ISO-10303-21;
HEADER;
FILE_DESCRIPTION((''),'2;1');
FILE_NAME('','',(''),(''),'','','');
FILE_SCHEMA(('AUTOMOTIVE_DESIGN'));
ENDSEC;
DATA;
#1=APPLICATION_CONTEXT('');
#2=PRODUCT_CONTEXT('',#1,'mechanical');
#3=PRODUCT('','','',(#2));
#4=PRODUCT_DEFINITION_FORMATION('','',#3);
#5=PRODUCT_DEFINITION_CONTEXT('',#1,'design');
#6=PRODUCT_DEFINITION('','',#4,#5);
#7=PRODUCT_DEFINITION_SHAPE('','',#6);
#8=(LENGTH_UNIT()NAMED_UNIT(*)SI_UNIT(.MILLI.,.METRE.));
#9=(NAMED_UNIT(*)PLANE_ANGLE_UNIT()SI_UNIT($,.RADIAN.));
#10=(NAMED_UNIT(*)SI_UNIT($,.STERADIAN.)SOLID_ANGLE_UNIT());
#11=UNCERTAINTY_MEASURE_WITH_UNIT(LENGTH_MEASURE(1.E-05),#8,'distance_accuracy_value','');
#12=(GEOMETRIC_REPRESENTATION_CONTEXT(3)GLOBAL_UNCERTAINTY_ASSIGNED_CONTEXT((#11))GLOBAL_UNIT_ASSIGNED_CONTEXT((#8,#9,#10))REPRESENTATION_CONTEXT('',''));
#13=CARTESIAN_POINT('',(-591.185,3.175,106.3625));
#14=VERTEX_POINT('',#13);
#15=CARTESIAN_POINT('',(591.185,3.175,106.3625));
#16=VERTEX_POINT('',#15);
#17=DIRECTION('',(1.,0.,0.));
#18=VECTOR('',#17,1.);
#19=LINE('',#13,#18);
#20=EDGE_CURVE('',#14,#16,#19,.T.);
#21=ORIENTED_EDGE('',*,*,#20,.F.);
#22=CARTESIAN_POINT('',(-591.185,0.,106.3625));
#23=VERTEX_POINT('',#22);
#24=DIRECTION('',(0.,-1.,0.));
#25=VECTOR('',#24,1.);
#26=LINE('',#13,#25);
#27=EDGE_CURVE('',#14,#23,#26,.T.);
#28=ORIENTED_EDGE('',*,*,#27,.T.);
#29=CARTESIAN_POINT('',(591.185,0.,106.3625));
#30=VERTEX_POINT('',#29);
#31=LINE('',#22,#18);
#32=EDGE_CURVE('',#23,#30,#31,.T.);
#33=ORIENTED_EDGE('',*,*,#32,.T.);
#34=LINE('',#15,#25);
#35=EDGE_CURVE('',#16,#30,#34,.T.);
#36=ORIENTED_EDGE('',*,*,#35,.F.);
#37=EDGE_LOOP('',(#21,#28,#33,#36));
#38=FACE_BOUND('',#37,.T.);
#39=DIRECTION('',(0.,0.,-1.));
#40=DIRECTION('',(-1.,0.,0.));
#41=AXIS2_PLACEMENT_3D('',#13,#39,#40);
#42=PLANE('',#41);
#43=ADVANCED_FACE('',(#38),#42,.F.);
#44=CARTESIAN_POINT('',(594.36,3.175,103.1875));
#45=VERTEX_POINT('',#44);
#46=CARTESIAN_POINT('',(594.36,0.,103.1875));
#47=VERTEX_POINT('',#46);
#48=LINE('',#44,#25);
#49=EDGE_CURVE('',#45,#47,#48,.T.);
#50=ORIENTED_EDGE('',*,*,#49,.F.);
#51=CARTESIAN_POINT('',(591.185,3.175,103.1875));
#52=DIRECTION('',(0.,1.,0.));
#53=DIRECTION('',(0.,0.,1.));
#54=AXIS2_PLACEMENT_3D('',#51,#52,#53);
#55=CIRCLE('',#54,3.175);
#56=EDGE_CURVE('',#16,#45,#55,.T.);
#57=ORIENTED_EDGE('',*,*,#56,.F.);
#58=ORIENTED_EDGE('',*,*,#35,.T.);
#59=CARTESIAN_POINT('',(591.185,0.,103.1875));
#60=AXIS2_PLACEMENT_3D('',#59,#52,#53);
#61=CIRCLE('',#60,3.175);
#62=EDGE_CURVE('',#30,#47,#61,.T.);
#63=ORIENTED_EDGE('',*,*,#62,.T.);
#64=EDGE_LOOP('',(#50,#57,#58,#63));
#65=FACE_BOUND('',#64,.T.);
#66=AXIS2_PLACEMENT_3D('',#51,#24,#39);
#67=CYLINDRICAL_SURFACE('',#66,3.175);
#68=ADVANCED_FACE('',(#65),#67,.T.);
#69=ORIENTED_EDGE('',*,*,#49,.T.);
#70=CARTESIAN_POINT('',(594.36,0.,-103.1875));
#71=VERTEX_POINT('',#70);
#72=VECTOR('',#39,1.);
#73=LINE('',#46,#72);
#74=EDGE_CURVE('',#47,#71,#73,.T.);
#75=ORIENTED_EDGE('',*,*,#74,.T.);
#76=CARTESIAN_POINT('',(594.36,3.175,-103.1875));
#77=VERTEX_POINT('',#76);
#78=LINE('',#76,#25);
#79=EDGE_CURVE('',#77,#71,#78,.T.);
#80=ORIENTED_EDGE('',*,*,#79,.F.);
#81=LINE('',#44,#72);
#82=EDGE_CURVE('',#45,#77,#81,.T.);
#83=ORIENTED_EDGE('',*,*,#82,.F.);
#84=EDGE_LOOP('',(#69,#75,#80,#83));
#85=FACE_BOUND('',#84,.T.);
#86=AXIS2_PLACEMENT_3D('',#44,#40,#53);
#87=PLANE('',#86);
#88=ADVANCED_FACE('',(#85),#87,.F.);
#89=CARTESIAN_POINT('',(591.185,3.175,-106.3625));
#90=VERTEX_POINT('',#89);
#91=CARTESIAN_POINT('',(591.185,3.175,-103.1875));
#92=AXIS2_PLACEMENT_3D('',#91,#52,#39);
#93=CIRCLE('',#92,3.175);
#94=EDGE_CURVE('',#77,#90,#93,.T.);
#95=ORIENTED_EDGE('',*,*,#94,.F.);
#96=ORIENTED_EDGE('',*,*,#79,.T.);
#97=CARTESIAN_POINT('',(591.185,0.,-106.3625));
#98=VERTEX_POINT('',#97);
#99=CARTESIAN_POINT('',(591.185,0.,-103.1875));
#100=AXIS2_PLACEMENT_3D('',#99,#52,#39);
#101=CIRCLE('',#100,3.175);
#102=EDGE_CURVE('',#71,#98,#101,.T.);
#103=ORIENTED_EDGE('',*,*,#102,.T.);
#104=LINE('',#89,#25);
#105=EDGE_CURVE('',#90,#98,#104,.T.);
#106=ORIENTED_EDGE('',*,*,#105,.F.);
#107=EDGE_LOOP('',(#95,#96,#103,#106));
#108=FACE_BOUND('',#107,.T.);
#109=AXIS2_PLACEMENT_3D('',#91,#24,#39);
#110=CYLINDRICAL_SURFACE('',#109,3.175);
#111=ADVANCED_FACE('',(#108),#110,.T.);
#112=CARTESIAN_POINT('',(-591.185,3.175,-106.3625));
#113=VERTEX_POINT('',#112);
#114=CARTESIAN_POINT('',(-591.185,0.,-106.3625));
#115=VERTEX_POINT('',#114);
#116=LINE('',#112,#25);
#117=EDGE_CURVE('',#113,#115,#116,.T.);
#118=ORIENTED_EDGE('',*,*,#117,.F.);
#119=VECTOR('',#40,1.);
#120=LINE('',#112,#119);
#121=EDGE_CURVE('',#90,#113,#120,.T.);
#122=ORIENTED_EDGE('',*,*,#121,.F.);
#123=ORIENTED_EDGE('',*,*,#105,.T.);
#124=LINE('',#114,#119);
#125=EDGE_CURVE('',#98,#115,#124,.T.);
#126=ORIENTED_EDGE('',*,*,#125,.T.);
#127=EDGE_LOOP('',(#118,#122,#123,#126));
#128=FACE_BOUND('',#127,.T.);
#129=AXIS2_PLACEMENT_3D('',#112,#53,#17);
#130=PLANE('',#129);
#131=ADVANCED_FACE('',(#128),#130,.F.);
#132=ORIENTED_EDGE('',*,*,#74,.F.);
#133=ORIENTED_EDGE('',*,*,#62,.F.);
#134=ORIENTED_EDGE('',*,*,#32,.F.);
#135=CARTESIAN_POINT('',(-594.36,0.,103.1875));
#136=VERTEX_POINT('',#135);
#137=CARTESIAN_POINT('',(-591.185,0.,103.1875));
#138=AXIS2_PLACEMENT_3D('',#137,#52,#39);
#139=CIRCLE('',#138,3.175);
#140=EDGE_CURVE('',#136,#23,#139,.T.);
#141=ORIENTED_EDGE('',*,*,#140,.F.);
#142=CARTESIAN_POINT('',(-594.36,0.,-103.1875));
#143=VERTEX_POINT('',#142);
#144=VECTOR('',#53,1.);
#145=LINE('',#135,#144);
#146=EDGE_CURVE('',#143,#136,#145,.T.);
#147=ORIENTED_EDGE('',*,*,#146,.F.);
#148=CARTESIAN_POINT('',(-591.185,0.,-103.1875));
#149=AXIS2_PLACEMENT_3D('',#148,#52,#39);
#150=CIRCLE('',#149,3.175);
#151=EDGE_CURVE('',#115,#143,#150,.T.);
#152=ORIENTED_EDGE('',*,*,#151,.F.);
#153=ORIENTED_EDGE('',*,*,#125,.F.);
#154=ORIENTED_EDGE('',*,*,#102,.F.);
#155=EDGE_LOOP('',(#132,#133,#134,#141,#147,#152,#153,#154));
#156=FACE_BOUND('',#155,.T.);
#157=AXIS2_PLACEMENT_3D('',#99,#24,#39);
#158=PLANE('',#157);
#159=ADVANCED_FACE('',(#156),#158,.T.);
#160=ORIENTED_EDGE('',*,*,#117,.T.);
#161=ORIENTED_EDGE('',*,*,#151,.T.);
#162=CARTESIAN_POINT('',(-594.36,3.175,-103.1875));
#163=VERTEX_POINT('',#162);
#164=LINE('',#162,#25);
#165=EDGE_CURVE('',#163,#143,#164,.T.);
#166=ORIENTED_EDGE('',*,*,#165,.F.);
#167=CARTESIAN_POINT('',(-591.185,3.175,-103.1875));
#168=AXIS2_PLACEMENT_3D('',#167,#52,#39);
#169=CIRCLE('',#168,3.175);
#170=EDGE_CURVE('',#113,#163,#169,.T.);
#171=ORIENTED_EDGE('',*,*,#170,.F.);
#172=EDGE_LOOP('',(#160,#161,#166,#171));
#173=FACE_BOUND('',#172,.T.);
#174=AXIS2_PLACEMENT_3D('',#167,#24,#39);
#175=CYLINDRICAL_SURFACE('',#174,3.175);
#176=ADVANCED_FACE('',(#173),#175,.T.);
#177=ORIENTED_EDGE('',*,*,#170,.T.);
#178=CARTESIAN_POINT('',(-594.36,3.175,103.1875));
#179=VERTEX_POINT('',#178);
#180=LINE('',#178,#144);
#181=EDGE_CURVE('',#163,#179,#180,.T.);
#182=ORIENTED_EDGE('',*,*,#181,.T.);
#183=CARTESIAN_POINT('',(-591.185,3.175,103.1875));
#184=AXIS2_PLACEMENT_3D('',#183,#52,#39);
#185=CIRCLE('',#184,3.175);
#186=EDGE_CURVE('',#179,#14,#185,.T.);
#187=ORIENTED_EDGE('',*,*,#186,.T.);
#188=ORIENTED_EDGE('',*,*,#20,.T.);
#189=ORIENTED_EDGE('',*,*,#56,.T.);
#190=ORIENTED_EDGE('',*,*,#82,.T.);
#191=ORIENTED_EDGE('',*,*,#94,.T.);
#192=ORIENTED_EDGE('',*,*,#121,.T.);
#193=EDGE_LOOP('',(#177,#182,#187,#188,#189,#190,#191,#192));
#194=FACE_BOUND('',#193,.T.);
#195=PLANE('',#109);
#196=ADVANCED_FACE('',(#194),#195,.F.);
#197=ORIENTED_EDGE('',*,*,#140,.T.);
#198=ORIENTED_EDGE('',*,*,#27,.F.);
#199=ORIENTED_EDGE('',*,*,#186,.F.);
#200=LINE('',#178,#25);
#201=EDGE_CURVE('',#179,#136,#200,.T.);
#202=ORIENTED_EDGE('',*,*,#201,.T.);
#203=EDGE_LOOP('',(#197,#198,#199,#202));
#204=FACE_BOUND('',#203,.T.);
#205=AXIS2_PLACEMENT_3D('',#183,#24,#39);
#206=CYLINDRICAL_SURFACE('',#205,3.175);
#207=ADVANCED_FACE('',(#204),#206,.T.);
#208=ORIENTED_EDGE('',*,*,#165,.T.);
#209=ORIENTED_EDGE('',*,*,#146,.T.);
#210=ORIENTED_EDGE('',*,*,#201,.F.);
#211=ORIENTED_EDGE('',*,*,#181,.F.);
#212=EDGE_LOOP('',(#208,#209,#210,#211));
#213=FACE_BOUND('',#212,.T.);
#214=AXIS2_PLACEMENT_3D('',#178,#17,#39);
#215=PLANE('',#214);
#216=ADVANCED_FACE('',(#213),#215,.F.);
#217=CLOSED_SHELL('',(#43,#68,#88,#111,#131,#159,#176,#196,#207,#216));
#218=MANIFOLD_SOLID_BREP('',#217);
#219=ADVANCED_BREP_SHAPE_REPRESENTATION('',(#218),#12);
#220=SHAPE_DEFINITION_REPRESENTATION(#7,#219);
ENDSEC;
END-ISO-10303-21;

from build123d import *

# Parameters (mm, degrees)
BOSS_EXTRUDE1_DEPTH = 3.175


with BuildPart() as part:
    # Sketch1 → Boss-Extrude1 (new body)
    with BuildSketch(Plane(origin=(0, 0, 0), x_dir=(1, 0, 0), z_dir=(0, 1, 0))):
        with BuildLine():
            Line((-591.185, -106.3625), (591.185, -106.3625))
            ThreePointArc((591.185, -106.3625), (593.43006403, -105.43256403), (594.36, -103.1875))
            Line((594.36, -103.1875), (594.36, 103.1875))
            ThreePointArc((594.36, 103.1875), (593.43006403, 105.43256403), (591.185, 106.3625))
            Line((591.185, 106.3625), (-591.185, 106.3625))
            ThreePointArc((-591.185, 106.3625), (-593.43006403, 105.43256403), (-594.36, 103.1875))
            Line((-594.36, 103.1875), (-594.36, -103.1875))
            ThreePointArc((-594.36, -103.1875), (-593.43006403, -105.43256403), (-591.185, -106.3625))
        make_face()
    extrude(amount=BOSS_EXTRUDE1_DEPTH)


solid = part.part
